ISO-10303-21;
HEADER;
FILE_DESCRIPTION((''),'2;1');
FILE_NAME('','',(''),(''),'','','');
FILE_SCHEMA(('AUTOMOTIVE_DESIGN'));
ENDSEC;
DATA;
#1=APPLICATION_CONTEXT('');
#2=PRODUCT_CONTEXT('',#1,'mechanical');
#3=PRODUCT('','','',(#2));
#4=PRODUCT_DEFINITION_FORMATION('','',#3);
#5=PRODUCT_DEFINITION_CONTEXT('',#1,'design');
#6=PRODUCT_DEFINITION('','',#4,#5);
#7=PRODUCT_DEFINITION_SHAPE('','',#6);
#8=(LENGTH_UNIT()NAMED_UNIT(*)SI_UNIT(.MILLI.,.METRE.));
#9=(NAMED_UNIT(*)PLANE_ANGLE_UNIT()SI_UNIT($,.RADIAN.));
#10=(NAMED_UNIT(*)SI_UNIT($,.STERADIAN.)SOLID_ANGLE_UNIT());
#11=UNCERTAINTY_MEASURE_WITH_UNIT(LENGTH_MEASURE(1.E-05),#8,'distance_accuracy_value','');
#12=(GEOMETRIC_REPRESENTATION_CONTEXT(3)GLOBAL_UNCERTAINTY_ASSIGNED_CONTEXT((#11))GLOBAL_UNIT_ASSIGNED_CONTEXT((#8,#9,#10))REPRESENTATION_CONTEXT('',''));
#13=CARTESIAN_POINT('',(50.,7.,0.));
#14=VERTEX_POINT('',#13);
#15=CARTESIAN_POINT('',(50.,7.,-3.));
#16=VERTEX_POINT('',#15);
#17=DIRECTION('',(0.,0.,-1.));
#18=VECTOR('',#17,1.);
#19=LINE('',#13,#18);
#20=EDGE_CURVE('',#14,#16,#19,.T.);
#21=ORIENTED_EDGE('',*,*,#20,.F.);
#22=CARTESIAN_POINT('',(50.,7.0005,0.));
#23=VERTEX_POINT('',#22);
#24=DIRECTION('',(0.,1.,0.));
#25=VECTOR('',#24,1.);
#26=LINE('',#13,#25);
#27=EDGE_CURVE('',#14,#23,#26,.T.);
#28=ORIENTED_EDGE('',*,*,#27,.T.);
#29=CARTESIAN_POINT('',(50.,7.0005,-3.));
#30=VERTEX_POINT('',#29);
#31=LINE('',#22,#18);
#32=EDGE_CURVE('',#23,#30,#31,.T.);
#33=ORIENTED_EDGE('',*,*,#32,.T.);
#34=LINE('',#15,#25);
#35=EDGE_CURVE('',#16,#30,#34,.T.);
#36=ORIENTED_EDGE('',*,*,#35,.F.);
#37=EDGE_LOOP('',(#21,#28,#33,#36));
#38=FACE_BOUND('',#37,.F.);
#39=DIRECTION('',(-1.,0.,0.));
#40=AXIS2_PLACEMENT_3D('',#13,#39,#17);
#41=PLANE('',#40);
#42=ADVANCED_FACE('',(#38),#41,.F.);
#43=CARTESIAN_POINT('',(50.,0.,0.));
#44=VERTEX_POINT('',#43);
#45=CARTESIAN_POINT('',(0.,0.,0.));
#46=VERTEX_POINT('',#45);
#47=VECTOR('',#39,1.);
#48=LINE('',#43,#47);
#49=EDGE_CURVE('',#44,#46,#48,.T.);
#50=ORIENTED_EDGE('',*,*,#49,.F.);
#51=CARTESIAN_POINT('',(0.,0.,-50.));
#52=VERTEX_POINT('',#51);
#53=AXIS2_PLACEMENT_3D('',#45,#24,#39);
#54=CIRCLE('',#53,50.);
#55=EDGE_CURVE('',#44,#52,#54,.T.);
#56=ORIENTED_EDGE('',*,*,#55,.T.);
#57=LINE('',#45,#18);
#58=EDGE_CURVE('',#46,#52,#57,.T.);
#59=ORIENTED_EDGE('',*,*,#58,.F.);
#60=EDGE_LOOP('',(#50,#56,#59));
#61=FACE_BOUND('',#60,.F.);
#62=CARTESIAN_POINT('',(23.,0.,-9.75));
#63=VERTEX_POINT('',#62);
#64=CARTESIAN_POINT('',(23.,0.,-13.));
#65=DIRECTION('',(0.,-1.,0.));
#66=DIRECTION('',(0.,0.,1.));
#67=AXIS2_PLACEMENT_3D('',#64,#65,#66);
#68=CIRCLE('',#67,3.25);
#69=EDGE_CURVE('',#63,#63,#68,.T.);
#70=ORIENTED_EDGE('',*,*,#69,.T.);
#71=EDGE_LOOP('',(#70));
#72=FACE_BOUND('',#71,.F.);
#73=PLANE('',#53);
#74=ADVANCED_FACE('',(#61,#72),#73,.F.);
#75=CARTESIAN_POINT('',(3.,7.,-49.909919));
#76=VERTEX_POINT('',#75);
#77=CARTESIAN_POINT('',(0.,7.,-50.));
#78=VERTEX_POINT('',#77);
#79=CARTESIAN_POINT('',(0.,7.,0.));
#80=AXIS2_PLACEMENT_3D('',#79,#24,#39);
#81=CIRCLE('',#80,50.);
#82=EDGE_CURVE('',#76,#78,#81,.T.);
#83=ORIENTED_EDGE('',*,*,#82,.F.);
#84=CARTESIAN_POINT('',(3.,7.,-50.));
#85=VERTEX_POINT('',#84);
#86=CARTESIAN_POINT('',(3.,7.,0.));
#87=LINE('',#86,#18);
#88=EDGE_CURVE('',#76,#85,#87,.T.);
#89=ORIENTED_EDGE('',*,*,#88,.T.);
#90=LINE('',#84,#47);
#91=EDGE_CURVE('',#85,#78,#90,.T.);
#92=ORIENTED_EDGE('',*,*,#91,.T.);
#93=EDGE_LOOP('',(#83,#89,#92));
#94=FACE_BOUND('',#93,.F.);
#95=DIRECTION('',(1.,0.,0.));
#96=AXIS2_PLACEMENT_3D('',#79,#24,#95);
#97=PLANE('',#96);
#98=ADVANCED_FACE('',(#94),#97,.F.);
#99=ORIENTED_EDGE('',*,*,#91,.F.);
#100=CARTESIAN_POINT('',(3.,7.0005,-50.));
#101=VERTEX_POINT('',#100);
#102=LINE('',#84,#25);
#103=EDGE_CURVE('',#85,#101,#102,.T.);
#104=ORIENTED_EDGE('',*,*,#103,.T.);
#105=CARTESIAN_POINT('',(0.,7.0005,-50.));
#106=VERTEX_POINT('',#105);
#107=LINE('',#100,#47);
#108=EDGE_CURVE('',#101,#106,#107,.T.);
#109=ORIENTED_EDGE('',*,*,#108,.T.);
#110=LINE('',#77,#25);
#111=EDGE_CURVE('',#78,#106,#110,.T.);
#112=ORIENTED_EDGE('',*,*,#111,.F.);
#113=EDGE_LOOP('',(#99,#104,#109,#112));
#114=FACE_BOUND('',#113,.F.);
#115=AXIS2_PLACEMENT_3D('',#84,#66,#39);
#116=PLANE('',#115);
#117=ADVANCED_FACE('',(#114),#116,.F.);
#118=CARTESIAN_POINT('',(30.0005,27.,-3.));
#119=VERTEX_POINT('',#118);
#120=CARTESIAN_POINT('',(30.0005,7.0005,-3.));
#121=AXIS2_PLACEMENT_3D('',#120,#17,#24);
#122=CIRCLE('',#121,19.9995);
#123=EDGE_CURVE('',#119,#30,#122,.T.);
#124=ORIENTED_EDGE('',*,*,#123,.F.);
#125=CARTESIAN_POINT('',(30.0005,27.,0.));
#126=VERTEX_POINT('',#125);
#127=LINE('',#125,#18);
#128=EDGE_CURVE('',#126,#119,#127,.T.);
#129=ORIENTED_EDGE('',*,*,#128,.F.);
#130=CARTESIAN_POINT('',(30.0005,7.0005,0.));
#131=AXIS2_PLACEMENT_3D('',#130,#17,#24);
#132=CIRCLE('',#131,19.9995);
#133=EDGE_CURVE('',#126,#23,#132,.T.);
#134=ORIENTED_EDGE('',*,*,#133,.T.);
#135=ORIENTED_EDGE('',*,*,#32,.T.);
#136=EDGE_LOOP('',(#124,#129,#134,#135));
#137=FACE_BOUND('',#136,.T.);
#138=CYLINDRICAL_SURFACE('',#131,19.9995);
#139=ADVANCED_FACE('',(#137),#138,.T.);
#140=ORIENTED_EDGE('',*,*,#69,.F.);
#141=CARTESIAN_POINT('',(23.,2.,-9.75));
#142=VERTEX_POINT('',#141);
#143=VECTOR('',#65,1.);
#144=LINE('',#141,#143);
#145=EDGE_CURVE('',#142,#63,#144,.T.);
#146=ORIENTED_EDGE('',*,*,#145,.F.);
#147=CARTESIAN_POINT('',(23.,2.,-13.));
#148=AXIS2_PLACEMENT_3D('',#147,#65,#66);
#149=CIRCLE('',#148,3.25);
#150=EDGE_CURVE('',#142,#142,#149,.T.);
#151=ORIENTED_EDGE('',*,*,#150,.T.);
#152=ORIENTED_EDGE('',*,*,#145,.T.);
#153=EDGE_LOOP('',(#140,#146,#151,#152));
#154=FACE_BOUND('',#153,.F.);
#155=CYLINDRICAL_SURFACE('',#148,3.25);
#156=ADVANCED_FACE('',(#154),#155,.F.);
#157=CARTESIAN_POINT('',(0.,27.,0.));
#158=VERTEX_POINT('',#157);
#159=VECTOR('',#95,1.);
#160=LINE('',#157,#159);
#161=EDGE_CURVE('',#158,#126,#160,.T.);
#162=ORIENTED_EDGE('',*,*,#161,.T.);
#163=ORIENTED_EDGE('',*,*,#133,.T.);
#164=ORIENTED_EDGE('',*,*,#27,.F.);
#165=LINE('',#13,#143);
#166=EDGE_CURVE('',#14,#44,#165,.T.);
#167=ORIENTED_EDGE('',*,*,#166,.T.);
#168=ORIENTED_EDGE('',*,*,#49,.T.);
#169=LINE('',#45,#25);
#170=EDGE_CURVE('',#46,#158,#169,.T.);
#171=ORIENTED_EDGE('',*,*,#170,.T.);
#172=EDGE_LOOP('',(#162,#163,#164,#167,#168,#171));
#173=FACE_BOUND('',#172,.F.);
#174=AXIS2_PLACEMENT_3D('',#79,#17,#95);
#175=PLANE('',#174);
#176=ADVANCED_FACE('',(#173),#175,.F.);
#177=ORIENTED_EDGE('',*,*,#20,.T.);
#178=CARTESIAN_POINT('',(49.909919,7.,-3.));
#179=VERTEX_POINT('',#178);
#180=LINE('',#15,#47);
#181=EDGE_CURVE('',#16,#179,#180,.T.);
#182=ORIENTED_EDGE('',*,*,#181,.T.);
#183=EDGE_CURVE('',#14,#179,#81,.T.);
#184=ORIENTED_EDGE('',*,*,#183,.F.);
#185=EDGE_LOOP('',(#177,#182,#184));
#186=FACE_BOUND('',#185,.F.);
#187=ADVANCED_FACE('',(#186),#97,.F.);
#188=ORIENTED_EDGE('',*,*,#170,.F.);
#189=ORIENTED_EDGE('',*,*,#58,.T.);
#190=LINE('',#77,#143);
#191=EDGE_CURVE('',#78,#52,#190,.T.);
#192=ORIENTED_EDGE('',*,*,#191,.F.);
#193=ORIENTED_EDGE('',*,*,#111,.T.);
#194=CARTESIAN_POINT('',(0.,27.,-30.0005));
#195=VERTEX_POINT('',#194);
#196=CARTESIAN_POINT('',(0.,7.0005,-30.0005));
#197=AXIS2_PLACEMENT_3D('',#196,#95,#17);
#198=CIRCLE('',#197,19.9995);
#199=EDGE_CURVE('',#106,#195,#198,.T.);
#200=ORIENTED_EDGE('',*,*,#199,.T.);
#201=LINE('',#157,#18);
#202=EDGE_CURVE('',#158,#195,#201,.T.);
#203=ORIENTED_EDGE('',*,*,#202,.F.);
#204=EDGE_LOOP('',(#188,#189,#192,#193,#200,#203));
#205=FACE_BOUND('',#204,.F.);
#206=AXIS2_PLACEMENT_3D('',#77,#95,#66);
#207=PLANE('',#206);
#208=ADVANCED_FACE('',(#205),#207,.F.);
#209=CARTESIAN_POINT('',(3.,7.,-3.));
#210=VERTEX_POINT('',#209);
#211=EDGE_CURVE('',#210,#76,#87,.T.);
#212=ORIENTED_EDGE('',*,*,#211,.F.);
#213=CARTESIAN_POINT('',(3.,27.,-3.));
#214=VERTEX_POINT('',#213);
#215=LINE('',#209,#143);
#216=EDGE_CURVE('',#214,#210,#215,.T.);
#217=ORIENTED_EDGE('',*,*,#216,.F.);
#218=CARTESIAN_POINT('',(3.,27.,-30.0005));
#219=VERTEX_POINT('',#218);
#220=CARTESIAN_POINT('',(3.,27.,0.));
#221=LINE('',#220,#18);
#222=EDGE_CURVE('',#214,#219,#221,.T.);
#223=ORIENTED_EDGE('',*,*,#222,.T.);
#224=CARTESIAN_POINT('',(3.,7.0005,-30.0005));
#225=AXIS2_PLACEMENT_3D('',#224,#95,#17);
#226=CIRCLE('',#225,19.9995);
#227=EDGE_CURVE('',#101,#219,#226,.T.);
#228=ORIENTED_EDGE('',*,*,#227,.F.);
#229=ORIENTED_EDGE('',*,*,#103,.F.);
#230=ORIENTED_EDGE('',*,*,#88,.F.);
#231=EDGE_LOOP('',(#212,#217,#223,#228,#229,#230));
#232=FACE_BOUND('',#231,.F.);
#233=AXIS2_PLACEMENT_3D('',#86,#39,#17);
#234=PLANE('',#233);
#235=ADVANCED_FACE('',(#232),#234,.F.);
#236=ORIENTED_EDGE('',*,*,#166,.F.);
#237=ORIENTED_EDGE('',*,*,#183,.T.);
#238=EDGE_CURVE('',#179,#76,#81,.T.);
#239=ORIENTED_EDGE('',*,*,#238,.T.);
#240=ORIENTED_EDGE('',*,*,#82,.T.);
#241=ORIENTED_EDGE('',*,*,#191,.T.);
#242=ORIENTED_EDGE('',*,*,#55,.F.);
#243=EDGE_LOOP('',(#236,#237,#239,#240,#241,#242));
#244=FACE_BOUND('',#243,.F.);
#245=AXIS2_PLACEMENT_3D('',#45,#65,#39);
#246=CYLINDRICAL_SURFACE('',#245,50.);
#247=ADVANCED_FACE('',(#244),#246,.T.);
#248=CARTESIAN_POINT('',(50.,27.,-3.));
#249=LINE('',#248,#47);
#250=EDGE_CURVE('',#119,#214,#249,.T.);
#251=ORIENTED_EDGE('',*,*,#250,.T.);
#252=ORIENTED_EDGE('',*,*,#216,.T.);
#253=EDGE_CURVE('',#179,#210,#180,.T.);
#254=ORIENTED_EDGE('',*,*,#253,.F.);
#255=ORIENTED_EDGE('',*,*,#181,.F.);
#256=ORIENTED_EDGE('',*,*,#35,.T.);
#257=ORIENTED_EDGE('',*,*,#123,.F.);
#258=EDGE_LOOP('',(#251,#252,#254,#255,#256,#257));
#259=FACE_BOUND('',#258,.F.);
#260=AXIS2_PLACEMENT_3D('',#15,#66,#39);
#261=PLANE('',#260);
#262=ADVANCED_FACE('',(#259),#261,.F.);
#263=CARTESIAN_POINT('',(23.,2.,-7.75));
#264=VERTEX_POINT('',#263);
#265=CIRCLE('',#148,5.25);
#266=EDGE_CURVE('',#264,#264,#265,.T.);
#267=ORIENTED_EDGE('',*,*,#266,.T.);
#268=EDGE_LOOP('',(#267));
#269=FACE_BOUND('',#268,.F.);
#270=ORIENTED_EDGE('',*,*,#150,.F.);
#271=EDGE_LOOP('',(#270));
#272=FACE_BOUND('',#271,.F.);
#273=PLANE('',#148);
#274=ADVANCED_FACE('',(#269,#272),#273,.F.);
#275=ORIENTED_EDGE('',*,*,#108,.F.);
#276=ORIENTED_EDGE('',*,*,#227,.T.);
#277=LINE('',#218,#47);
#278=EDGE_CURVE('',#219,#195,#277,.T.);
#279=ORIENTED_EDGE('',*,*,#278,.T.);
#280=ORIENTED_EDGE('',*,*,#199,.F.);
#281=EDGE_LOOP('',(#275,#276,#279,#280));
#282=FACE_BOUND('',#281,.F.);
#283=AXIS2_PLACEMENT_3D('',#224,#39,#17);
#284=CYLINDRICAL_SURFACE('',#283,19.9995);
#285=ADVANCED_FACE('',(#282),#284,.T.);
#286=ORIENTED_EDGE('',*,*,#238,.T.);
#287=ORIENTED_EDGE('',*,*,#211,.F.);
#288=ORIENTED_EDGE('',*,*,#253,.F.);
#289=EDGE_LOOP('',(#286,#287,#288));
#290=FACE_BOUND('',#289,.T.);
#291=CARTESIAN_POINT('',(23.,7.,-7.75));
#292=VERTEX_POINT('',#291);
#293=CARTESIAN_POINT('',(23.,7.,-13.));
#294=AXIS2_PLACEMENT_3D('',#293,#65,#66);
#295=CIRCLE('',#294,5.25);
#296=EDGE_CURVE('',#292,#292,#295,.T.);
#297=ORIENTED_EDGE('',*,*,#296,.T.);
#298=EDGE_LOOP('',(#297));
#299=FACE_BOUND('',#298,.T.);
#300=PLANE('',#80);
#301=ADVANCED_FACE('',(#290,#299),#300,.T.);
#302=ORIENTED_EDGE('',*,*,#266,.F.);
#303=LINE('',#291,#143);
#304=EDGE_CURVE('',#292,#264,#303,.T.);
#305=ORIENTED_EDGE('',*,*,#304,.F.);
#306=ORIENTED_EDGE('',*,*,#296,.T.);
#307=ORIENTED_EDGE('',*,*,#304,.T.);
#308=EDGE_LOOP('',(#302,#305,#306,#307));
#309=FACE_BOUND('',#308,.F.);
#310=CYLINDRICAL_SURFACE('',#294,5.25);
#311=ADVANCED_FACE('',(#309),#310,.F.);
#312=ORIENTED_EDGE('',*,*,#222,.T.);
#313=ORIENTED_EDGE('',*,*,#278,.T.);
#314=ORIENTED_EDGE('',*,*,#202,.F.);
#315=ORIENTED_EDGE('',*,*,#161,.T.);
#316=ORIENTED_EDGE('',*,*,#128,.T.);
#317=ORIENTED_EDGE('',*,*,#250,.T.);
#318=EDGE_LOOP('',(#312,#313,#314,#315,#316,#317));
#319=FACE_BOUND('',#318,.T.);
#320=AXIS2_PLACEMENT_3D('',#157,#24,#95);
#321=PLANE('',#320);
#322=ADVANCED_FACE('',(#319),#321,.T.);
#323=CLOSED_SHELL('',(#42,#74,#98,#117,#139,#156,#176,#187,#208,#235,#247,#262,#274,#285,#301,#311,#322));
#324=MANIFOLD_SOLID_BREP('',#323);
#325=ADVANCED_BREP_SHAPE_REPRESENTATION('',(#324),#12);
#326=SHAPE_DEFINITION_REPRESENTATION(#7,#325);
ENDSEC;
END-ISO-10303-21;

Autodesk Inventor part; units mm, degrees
ref_plane "YZ Plane" through (0, 0, 0) normal (1, 0, 0) x (0, 1, 0)
ref_plane "XZ Plane" through (0, 0, 0) normal (0, 1, 0) x (-1, 0, 0)
ref_plane "XY Plane" through (0, 0, 0) normal (0, 0, 1) x (1, 0, 0)
sketch "Sketch1" plane through (0, 0, 0) normal (0, 1, 0) x (-1, 0, 0)
  circle A0 centre (0, 0) radius 50
  dimension "d0" = 100
extrude "Extrusion1" add sketch "Sketch1" along normal blind 7
sketch "Sketch2" plane through (0, 7, 0) normal (0, 1, 0) x (1, 0, 0)
  line L0 (0, 0) -> (50, 0)
  line L1 (50, 0) -> (50, 3)
  line L2 (50, 3) -> (0, 3)
  line L3 (0, 3) -> (0, 0)
  dimension "d3" = 50
  dimension "d4" = 3
extrude "Extrusion2" add sketch "Sketch2" along normal blind 20
sketch "Sketch3" plane through (0, 7, 0) normal (0, 1, 0) x (1, 0, 0)
  line L0 (0, 3) -> (0, 0) projected
  line L1 (0, 0) -> (3, 0)
  line L2 (3, 0) -> (3, 50)
  line L3 (3, 50) -> (0, 50)
  line L4 (0, 50) -> (0, 0)
  dimension "d7" = 3
  dimension "d8" = 50
extrude "Extrusion3" add sketch "Sketch3" along normal blind 20
sketch "Sketch4" plane through (0, 7, 0) normal (0, 1, 0) x (1, 0, 0)
  line L0 (0, 0) -> (0, 50) projected
  line L1 (0, 50) -> (-50, 50)
  line L2 (-50, 50) -> (-50, -50)
  line L3 (-50, -50) -> (0, -50)
  line L4 (0, -50) -> (0, 50)
  line L5 (50, 0) -> (0, 0) projected
  line L6 (0, 0) -> (50, 0)
  line L7 (50, 0) -> (50, -50)
  line L8 (50, -50) -> (0, -50)
  line L9 (0, -50) -> (0, 0)
  dimension "d11" = 50
  dimension "d12" = 100
  dimension "d13" = 50
  dimension "d14" = 50
extrude "Extrusion4" cut sketch "Sketch4" against normal blind 7
sketch "Sketch5" plane through (0, 7, 0) normal (0, 1, 0) x (1, 0, 0)
  line L0 (3, 49.9099) -> (3, 3) projected
  line L1 (3, 3) -> (49.9099, 3) projected
  point P0 (0, 0)
  point P1 (23, 13)
  dimension "d24" = 20
  dimension "d25" = 10
hole "Hole1" at (23, 7, -13) direction (0, -1, 0) diameter 6.5 end through all counterbore diameter 10.5 counterbore depth 5
fillet "Fillet1" radius 20 1 edges at (1.5, 27, -50)
fillet "Fillet2" radius 20 1 edges at (50, 27, -1.5)
properties part number "euro_box_corner_r"
